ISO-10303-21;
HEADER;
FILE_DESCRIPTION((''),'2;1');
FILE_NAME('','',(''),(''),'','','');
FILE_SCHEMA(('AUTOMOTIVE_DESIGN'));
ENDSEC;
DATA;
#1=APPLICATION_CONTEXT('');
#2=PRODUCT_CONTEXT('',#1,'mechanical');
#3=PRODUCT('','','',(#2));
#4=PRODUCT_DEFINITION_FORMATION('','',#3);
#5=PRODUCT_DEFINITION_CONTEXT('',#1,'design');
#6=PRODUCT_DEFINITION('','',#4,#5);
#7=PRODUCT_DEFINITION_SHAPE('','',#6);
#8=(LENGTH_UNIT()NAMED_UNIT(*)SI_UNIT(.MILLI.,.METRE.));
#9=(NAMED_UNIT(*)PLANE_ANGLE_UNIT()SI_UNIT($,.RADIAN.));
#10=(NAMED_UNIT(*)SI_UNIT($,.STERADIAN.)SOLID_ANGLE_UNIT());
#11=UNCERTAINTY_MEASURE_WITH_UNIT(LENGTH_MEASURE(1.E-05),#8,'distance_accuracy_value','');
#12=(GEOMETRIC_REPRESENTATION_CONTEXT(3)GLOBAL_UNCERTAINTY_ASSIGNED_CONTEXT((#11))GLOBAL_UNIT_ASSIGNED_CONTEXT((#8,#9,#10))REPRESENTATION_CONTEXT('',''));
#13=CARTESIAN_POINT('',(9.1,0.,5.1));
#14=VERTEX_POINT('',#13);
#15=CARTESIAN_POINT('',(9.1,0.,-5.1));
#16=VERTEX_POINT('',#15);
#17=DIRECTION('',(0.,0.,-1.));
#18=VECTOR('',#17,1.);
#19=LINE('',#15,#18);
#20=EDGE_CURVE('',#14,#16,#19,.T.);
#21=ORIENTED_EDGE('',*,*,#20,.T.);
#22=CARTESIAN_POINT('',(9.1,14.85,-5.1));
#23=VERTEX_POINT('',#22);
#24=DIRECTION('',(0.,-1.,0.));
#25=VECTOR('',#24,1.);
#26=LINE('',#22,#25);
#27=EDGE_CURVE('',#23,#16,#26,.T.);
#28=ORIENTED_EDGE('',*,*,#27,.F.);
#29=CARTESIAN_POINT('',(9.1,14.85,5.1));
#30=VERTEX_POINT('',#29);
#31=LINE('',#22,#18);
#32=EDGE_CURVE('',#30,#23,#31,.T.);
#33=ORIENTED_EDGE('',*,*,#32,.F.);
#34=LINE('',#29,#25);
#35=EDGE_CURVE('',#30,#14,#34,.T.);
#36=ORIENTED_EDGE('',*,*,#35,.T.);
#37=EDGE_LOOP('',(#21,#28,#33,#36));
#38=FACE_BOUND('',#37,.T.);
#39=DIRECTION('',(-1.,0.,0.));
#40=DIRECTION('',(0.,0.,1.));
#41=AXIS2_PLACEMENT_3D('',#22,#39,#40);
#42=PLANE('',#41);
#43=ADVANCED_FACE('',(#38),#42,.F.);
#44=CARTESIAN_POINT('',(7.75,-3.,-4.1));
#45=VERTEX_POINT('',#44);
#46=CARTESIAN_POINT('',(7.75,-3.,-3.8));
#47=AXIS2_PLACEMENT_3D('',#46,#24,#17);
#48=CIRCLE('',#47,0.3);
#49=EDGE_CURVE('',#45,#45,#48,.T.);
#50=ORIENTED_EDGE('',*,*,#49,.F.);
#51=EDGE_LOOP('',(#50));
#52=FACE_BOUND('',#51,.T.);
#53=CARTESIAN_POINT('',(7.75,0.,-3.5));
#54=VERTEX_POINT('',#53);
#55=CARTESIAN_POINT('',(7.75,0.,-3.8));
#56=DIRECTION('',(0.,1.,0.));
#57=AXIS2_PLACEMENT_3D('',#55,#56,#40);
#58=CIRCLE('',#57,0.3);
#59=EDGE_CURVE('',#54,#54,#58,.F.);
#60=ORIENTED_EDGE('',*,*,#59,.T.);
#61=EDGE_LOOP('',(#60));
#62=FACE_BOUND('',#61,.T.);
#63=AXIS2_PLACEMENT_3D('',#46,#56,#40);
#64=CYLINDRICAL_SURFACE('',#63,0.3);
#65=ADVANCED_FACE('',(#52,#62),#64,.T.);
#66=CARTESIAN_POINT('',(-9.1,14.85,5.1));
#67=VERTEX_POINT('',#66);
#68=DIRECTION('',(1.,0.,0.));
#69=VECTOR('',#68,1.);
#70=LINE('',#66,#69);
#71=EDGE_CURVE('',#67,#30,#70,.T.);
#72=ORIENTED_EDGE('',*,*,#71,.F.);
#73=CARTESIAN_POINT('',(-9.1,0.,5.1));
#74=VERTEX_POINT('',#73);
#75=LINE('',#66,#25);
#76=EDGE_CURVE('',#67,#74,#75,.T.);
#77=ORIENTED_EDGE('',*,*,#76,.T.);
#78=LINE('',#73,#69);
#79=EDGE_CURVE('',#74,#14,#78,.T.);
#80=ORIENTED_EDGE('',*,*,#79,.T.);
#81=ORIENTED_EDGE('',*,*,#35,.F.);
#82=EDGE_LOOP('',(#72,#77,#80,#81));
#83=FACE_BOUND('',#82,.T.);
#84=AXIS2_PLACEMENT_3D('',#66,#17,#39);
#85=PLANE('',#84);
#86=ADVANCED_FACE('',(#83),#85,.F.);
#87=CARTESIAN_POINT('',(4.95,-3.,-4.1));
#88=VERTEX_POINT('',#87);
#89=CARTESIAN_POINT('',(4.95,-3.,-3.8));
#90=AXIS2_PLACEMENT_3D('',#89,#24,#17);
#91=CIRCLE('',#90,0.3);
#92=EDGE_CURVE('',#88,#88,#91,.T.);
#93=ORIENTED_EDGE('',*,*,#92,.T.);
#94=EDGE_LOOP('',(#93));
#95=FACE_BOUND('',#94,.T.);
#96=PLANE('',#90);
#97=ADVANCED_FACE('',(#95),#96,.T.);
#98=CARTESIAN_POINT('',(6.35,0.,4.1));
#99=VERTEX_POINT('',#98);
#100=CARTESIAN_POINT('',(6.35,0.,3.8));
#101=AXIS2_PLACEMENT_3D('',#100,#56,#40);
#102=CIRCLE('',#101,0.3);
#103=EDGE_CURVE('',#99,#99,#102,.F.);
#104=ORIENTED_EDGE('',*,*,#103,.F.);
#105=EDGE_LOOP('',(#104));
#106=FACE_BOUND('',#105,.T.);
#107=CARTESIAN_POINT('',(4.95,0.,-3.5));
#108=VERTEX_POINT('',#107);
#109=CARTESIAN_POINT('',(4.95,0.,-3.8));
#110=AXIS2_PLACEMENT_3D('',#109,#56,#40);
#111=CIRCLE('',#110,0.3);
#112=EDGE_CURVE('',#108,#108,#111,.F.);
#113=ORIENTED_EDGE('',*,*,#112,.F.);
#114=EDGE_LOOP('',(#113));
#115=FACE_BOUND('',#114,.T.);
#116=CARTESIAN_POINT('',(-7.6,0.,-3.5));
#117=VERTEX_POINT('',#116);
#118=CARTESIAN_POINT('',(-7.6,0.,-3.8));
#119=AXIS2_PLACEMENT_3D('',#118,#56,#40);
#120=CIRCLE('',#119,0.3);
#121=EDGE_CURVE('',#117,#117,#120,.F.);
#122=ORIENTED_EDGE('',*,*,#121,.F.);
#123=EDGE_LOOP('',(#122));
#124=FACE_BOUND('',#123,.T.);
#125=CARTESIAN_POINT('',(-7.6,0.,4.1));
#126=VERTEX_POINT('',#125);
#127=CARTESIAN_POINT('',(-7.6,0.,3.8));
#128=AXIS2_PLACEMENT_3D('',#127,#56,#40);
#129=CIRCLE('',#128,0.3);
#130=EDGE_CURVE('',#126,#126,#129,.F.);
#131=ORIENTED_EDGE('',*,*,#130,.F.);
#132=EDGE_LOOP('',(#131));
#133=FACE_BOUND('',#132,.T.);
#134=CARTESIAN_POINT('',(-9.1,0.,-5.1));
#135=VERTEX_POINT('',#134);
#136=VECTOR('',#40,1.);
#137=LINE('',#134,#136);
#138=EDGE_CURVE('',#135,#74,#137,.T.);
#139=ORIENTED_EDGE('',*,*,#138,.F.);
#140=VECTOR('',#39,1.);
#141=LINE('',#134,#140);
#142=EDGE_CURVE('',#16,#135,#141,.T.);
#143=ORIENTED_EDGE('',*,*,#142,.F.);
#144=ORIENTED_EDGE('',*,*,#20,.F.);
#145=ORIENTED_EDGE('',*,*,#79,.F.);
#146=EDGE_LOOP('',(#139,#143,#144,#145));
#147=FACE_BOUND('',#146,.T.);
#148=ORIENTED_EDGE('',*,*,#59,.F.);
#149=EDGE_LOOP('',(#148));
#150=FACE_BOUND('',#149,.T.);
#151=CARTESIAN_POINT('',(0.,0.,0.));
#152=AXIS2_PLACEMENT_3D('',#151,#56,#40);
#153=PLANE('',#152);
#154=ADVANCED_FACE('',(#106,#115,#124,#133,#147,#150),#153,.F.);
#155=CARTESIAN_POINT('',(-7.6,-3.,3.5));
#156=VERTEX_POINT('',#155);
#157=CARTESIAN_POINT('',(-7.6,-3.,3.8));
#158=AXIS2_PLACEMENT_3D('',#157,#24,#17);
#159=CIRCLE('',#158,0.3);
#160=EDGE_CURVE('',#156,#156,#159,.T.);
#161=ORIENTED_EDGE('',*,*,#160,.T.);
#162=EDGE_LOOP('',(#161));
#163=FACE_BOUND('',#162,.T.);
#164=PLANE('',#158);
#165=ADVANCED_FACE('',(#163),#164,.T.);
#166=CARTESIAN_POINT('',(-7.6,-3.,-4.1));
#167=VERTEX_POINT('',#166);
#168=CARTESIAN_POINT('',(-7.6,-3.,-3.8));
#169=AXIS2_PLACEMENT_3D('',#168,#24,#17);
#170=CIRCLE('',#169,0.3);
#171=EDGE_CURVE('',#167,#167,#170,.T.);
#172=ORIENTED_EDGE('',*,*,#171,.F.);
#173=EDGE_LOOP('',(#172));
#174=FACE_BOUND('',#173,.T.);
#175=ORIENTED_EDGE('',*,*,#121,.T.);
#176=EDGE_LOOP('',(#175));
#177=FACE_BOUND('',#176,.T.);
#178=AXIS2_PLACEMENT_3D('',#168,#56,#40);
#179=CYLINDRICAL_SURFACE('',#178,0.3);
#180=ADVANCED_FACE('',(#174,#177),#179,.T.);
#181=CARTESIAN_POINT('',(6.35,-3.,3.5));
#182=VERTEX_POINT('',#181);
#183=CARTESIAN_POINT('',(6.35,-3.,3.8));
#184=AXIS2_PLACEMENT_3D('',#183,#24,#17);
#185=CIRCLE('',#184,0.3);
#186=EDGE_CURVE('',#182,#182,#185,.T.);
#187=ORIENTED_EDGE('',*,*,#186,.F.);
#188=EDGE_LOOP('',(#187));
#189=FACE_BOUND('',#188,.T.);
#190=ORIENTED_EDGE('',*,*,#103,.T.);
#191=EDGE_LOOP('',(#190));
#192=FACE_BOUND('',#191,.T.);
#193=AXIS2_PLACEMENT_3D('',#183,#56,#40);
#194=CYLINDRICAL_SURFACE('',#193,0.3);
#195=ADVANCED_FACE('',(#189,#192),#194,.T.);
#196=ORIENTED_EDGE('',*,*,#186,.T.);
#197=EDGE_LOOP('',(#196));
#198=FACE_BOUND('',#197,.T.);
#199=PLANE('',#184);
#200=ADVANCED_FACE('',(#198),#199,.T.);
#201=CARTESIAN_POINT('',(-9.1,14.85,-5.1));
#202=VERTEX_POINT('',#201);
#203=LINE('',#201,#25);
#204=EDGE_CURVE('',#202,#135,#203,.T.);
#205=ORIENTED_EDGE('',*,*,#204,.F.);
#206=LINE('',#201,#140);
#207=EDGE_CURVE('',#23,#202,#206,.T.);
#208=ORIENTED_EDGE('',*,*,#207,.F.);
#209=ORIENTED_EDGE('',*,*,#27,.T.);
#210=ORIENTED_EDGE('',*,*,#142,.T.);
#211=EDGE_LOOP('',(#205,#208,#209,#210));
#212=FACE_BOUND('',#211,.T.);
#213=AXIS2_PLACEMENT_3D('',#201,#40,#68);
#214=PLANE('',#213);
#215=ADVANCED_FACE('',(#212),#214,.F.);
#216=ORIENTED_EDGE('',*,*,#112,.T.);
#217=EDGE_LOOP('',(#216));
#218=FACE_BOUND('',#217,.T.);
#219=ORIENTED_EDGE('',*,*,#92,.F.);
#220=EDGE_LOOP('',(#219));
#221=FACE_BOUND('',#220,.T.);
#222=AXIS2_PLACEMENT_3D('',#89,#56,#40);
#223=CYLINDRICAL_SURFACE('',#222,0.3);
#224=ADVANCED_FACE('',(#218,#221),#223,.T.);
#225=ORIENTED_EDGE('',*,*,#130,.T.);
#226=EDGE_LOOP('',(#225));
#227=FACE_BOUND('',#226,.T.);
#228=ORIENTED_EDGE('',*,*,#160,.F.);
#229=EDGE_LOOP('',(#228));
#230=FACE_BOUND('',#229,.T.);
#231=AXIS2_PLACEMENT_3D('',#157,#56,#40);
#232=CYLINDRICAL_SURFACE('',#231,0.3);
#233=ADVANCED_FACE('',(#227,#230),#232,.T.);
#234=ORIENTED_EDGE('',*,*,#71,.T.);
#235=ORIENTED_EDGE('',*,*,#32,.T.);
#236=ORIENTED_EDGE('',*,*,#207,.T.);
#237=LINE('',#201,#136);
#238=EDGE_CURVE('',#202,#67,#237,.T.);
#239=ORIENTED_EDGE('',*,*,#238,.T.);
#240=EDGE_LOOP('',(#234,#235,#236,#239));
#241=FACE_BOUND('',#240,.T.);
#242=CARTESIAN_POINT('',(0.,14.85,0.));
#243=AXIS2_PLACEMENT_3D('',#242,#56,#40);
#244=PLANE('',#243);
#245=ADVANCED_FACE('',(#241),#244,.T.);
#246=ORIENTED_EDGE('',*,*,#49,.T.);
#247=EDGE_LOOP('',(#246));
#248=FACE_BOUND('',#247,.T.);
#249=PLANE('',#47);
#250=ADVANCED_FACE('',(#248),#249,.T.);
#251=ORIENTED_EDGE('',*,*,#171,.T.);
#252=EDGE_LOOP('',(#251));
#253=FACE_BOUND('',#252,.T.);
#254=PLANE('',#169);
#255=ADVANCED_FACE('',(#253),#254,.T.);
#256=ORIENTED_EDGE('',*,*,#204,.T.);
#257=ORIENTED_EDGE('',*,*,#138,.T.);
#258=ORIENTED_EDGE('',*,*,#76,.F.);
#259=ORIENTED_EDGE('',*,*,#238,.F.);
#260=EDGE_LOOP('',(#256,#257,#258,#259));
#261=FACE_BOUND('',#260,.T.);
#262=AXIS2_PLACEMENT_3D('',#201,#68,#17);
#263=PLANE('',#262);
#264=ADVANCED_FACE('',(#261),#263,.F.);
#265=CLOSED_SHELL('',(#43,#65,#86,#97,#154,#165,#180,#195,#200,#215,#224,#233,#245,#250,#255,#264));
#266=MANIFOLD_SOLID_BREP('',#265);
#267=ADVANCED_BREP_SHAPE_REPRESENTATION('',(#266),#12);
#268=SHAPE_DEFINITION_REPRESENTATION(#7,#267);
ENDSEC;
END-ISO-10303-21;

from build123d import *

# Parameters (mm, degrees)
SKETCH_1_W      = 18.2
SKETCH_1_H      = 10.2
EXTRUDE_1_DEPTH = 14.85
SKETCH_3_R      = 0.3
EXTRUDE_2_DEPTH = 3


with BuildPart() as part:
    # Эскиз1 → Бобышка-Вытянуть1 (new body)
    with BuildSketch(Plane(origin=(0, 0, 0), x_dir=(1, 0, 0), z_dir=(0, 1, 0))):
        Rectangle(SKETCH_1_W, SKETCH_1_H)
    extrude(amount=EXTRUDE_1_DEPTH)

    # Эскиз3 → Бобышка-Вытянуть2 (add)
    with BuildSketch(Plane.XZ):
        with Locations(Location((-7.6, 3.8, 0), (0, 0, 90))):
            Circle(SKETCH_3_R)
        with Locations(Location((-7.6, -3.8, 0), (0, 0, 90))):
            Circle(SKETCH_3_R)
        with Locations(Location((6.35, 3.8, 0), (0, 0, 90))):
            Circle(SKETCH_3_R)
        with Locations(Location((4.95, -3.8, 0), (0, 0, 90))):
            Circle(SKETCH_3_R)
        with Locations(Location((7.75, -3.8, 0), (0, 0, 90))):
            Circle(SKETCH_3_R)
    extrude(amount=EXTRUDE_2_DEPTH)


solid = part.part
